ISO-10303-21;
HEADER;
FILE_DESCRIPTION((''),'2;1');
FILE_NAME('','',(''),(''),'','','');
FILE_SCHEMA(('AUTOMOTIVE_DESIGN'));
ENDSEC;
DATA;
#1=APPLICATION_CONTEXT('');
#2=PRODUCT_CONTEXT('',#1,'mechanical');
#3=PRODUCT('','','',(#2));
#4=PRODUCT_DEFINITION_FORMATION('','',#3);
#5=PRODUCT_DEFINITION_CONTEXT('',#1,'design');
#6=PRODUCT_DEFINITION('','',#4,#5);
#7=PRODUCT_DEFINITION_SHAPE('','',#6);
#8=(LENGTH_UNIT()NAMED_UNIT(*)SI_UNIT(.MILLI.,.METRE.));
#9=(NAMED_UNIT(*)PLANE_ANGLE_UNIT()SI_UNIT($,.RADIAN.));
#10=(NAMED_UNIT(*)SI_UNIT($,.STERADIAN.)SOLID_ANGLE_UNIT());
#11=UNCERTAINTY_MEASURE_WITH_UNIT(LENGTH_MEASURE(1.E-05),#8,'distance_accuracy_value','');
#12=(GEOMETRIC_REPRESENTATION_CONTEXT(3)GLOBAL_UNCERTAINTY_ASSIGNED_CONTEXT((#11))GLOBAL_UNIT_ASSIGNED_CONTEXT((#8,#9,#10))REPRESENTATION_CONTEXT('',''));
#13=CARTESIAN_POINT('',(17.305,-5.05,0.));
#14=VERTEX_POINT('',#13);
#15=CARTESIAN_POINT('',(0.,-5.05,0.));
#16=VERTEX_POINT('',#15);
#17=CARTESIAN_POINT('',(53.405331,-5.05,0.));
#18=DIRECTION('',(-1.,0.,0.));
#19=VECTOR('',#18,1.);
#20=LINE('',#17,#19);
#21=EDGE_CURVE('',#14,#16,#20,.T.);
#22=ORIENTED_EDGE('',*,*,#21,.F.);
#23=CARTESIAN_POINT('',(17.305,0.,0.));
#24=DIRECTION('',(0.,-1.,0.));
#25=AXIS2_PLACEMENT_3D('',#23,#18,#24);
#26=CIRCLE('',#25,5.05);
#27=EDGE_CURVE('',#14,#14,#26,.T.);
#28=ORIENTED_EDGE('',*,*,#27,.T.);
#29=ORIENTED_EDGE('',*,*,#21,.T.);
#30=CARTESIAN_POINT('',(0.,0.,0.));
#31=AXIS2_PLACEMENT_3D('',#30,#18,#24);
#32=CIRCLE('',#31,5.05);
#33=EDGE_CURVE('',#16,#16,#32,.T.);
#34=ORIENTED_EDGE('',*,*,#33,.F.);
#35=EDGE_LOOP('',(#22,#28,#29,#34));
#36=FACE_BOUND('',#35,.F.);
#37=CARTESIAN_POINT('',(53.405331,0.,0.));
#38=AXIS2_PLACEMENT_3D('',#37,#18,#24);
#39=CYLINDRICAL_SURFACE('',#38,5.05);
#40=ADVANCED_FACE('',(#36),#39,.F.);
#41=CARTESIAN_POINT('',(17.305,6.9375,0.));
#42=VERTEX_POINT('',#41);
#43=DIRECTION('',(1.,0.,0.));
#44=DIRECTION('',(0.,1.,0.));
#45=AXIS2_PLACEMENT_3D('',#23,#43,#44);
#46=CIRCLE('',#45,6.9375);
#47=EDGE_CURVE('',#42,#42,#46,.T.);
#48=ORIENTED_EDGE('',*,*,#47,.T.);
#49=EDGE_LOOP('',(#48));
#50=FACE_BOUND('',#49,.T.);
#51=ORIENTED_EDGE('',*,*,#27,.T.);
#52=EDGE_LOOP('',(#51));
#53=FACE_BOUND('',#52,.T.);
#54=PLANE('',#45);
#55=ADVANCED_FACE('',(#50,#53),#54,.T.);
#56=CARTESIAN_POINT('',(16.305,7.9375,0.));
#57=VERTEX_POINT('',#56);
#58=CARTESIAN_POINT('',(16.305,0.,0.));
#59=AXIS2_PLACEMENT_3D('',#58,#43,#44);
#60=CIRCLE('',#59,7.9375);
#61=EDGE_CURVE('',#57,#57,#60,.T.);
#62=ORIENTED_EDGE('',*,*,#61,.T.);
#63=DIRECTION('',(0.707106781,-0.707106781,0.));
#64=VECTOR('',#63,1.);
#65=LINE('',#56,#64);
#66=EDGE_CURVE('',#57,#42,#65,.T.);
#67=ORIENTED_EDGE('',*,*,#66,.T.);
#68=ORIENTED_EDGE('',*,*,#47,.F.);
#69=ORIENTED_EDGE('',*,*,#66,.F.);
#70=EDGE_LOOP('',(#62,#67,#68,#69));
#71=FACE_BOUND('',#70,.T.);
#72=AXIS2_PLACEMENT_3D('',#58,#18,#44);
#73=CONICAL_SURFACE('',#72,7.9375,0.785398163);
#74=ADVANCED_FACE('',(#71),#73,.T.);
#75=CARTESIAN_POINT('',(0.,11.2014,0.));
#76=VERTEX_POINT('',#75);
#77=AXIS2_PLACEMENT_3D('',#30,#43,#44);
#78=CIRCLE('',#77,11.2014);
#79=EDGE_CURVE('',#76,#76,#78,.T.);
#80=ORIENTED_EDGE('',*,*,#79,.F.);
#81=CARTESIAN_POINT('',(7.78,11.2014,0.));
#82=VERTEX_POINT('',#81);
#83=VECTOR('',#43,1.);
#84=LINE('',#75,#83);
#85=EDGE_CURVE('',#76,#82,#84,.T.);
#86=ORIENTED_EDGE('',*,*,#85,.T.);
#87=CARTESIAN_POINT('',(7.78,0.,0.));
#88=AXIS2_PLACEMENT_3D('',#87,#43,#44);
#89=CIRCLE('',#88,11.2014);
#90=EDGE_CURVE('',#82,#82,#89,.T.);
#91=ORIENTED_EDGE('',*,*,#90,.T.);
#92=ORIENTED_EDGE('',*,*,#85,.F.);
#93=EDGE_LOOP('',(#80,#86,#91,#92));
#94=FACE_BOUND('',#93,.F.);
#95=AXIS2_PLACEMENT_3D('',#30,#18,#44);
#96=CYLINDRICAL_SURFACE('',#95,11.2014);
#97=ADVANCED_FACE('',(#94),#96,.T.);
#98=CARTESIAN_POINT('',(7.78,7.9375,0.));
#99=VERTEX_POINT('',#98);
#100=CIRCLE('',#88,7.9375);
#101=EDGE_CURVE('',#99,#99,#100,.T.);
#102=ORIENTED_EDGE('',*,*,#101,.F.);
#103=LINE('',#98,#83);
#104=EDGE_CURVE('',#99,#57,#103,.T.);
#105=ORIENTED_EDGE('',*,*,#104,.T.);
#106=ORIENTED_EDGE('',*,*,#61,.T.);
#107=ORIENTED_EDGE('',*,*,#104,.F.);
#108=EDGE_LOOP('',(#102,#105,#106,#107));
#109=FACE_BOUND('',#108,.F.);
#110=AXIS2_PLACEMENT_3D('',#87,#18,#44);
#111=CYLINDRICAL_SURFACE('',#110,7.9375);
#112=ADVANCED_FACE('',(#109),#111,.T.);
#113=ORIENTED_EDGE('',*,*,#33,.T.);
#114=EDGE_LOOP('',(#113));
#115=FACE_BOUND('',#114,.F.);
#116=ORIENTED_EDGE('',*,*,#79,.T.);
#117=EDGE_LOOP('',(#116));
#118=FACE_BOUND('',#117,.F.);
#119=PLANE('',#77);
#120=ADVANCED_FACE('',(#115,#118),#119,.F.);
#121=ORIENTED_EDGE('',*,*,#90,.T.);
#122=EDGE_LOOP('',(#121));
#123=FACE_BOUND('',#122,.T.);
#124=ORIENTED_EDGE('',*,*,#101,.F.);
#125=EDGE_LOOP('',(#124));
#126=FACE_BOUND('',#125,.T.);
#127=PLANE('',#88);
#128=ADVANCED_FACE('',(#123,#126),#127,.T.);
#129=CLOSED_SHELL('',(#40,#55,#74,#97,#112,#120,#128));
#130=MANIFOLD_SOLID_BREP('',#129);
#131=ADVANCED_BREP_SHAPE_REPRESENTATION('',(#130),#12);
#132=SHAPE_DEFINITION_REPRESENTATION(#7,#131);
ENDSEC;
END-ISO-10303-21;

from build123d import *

# Parameters (mm, degrees)
F0_R     = 11.2014
F1_DEPTH = 7.78
F2_R     = 7.9375
F3_DEPTH = 9.525
F5_D     = 10.1
F6_SIZE2 = 1
F6_SIZE  = 1


with BuildPart() as f1:
    # F0 (on Right) → F1 (new body)
    with BuildSketch(Plane.YZ):
        Circle(F0_R)
    extrude(amount=F1_DEPTH)

    # F2 (on face) → F3 (join)
    with BuildSketch(Plane.YZ.offset(7.78)):
        Circle(F2_R)
    extrude(amount=F3_DEPTH)

    # F5 (through all)
    with Locations(Plane.YZ.offset(17.305)):
        with Locations((0, 0)):
            Hole(F5_D / 2)

    # F6
    f6_edges = [f1.edges().sort_by_distance(p)[0] for p in [
        (17.305, -7.9375, 0),
    ]]
    chamfer(f6_edges, length=F6_SIZE, length2=F6_SIZE2)


solid = f1.part
